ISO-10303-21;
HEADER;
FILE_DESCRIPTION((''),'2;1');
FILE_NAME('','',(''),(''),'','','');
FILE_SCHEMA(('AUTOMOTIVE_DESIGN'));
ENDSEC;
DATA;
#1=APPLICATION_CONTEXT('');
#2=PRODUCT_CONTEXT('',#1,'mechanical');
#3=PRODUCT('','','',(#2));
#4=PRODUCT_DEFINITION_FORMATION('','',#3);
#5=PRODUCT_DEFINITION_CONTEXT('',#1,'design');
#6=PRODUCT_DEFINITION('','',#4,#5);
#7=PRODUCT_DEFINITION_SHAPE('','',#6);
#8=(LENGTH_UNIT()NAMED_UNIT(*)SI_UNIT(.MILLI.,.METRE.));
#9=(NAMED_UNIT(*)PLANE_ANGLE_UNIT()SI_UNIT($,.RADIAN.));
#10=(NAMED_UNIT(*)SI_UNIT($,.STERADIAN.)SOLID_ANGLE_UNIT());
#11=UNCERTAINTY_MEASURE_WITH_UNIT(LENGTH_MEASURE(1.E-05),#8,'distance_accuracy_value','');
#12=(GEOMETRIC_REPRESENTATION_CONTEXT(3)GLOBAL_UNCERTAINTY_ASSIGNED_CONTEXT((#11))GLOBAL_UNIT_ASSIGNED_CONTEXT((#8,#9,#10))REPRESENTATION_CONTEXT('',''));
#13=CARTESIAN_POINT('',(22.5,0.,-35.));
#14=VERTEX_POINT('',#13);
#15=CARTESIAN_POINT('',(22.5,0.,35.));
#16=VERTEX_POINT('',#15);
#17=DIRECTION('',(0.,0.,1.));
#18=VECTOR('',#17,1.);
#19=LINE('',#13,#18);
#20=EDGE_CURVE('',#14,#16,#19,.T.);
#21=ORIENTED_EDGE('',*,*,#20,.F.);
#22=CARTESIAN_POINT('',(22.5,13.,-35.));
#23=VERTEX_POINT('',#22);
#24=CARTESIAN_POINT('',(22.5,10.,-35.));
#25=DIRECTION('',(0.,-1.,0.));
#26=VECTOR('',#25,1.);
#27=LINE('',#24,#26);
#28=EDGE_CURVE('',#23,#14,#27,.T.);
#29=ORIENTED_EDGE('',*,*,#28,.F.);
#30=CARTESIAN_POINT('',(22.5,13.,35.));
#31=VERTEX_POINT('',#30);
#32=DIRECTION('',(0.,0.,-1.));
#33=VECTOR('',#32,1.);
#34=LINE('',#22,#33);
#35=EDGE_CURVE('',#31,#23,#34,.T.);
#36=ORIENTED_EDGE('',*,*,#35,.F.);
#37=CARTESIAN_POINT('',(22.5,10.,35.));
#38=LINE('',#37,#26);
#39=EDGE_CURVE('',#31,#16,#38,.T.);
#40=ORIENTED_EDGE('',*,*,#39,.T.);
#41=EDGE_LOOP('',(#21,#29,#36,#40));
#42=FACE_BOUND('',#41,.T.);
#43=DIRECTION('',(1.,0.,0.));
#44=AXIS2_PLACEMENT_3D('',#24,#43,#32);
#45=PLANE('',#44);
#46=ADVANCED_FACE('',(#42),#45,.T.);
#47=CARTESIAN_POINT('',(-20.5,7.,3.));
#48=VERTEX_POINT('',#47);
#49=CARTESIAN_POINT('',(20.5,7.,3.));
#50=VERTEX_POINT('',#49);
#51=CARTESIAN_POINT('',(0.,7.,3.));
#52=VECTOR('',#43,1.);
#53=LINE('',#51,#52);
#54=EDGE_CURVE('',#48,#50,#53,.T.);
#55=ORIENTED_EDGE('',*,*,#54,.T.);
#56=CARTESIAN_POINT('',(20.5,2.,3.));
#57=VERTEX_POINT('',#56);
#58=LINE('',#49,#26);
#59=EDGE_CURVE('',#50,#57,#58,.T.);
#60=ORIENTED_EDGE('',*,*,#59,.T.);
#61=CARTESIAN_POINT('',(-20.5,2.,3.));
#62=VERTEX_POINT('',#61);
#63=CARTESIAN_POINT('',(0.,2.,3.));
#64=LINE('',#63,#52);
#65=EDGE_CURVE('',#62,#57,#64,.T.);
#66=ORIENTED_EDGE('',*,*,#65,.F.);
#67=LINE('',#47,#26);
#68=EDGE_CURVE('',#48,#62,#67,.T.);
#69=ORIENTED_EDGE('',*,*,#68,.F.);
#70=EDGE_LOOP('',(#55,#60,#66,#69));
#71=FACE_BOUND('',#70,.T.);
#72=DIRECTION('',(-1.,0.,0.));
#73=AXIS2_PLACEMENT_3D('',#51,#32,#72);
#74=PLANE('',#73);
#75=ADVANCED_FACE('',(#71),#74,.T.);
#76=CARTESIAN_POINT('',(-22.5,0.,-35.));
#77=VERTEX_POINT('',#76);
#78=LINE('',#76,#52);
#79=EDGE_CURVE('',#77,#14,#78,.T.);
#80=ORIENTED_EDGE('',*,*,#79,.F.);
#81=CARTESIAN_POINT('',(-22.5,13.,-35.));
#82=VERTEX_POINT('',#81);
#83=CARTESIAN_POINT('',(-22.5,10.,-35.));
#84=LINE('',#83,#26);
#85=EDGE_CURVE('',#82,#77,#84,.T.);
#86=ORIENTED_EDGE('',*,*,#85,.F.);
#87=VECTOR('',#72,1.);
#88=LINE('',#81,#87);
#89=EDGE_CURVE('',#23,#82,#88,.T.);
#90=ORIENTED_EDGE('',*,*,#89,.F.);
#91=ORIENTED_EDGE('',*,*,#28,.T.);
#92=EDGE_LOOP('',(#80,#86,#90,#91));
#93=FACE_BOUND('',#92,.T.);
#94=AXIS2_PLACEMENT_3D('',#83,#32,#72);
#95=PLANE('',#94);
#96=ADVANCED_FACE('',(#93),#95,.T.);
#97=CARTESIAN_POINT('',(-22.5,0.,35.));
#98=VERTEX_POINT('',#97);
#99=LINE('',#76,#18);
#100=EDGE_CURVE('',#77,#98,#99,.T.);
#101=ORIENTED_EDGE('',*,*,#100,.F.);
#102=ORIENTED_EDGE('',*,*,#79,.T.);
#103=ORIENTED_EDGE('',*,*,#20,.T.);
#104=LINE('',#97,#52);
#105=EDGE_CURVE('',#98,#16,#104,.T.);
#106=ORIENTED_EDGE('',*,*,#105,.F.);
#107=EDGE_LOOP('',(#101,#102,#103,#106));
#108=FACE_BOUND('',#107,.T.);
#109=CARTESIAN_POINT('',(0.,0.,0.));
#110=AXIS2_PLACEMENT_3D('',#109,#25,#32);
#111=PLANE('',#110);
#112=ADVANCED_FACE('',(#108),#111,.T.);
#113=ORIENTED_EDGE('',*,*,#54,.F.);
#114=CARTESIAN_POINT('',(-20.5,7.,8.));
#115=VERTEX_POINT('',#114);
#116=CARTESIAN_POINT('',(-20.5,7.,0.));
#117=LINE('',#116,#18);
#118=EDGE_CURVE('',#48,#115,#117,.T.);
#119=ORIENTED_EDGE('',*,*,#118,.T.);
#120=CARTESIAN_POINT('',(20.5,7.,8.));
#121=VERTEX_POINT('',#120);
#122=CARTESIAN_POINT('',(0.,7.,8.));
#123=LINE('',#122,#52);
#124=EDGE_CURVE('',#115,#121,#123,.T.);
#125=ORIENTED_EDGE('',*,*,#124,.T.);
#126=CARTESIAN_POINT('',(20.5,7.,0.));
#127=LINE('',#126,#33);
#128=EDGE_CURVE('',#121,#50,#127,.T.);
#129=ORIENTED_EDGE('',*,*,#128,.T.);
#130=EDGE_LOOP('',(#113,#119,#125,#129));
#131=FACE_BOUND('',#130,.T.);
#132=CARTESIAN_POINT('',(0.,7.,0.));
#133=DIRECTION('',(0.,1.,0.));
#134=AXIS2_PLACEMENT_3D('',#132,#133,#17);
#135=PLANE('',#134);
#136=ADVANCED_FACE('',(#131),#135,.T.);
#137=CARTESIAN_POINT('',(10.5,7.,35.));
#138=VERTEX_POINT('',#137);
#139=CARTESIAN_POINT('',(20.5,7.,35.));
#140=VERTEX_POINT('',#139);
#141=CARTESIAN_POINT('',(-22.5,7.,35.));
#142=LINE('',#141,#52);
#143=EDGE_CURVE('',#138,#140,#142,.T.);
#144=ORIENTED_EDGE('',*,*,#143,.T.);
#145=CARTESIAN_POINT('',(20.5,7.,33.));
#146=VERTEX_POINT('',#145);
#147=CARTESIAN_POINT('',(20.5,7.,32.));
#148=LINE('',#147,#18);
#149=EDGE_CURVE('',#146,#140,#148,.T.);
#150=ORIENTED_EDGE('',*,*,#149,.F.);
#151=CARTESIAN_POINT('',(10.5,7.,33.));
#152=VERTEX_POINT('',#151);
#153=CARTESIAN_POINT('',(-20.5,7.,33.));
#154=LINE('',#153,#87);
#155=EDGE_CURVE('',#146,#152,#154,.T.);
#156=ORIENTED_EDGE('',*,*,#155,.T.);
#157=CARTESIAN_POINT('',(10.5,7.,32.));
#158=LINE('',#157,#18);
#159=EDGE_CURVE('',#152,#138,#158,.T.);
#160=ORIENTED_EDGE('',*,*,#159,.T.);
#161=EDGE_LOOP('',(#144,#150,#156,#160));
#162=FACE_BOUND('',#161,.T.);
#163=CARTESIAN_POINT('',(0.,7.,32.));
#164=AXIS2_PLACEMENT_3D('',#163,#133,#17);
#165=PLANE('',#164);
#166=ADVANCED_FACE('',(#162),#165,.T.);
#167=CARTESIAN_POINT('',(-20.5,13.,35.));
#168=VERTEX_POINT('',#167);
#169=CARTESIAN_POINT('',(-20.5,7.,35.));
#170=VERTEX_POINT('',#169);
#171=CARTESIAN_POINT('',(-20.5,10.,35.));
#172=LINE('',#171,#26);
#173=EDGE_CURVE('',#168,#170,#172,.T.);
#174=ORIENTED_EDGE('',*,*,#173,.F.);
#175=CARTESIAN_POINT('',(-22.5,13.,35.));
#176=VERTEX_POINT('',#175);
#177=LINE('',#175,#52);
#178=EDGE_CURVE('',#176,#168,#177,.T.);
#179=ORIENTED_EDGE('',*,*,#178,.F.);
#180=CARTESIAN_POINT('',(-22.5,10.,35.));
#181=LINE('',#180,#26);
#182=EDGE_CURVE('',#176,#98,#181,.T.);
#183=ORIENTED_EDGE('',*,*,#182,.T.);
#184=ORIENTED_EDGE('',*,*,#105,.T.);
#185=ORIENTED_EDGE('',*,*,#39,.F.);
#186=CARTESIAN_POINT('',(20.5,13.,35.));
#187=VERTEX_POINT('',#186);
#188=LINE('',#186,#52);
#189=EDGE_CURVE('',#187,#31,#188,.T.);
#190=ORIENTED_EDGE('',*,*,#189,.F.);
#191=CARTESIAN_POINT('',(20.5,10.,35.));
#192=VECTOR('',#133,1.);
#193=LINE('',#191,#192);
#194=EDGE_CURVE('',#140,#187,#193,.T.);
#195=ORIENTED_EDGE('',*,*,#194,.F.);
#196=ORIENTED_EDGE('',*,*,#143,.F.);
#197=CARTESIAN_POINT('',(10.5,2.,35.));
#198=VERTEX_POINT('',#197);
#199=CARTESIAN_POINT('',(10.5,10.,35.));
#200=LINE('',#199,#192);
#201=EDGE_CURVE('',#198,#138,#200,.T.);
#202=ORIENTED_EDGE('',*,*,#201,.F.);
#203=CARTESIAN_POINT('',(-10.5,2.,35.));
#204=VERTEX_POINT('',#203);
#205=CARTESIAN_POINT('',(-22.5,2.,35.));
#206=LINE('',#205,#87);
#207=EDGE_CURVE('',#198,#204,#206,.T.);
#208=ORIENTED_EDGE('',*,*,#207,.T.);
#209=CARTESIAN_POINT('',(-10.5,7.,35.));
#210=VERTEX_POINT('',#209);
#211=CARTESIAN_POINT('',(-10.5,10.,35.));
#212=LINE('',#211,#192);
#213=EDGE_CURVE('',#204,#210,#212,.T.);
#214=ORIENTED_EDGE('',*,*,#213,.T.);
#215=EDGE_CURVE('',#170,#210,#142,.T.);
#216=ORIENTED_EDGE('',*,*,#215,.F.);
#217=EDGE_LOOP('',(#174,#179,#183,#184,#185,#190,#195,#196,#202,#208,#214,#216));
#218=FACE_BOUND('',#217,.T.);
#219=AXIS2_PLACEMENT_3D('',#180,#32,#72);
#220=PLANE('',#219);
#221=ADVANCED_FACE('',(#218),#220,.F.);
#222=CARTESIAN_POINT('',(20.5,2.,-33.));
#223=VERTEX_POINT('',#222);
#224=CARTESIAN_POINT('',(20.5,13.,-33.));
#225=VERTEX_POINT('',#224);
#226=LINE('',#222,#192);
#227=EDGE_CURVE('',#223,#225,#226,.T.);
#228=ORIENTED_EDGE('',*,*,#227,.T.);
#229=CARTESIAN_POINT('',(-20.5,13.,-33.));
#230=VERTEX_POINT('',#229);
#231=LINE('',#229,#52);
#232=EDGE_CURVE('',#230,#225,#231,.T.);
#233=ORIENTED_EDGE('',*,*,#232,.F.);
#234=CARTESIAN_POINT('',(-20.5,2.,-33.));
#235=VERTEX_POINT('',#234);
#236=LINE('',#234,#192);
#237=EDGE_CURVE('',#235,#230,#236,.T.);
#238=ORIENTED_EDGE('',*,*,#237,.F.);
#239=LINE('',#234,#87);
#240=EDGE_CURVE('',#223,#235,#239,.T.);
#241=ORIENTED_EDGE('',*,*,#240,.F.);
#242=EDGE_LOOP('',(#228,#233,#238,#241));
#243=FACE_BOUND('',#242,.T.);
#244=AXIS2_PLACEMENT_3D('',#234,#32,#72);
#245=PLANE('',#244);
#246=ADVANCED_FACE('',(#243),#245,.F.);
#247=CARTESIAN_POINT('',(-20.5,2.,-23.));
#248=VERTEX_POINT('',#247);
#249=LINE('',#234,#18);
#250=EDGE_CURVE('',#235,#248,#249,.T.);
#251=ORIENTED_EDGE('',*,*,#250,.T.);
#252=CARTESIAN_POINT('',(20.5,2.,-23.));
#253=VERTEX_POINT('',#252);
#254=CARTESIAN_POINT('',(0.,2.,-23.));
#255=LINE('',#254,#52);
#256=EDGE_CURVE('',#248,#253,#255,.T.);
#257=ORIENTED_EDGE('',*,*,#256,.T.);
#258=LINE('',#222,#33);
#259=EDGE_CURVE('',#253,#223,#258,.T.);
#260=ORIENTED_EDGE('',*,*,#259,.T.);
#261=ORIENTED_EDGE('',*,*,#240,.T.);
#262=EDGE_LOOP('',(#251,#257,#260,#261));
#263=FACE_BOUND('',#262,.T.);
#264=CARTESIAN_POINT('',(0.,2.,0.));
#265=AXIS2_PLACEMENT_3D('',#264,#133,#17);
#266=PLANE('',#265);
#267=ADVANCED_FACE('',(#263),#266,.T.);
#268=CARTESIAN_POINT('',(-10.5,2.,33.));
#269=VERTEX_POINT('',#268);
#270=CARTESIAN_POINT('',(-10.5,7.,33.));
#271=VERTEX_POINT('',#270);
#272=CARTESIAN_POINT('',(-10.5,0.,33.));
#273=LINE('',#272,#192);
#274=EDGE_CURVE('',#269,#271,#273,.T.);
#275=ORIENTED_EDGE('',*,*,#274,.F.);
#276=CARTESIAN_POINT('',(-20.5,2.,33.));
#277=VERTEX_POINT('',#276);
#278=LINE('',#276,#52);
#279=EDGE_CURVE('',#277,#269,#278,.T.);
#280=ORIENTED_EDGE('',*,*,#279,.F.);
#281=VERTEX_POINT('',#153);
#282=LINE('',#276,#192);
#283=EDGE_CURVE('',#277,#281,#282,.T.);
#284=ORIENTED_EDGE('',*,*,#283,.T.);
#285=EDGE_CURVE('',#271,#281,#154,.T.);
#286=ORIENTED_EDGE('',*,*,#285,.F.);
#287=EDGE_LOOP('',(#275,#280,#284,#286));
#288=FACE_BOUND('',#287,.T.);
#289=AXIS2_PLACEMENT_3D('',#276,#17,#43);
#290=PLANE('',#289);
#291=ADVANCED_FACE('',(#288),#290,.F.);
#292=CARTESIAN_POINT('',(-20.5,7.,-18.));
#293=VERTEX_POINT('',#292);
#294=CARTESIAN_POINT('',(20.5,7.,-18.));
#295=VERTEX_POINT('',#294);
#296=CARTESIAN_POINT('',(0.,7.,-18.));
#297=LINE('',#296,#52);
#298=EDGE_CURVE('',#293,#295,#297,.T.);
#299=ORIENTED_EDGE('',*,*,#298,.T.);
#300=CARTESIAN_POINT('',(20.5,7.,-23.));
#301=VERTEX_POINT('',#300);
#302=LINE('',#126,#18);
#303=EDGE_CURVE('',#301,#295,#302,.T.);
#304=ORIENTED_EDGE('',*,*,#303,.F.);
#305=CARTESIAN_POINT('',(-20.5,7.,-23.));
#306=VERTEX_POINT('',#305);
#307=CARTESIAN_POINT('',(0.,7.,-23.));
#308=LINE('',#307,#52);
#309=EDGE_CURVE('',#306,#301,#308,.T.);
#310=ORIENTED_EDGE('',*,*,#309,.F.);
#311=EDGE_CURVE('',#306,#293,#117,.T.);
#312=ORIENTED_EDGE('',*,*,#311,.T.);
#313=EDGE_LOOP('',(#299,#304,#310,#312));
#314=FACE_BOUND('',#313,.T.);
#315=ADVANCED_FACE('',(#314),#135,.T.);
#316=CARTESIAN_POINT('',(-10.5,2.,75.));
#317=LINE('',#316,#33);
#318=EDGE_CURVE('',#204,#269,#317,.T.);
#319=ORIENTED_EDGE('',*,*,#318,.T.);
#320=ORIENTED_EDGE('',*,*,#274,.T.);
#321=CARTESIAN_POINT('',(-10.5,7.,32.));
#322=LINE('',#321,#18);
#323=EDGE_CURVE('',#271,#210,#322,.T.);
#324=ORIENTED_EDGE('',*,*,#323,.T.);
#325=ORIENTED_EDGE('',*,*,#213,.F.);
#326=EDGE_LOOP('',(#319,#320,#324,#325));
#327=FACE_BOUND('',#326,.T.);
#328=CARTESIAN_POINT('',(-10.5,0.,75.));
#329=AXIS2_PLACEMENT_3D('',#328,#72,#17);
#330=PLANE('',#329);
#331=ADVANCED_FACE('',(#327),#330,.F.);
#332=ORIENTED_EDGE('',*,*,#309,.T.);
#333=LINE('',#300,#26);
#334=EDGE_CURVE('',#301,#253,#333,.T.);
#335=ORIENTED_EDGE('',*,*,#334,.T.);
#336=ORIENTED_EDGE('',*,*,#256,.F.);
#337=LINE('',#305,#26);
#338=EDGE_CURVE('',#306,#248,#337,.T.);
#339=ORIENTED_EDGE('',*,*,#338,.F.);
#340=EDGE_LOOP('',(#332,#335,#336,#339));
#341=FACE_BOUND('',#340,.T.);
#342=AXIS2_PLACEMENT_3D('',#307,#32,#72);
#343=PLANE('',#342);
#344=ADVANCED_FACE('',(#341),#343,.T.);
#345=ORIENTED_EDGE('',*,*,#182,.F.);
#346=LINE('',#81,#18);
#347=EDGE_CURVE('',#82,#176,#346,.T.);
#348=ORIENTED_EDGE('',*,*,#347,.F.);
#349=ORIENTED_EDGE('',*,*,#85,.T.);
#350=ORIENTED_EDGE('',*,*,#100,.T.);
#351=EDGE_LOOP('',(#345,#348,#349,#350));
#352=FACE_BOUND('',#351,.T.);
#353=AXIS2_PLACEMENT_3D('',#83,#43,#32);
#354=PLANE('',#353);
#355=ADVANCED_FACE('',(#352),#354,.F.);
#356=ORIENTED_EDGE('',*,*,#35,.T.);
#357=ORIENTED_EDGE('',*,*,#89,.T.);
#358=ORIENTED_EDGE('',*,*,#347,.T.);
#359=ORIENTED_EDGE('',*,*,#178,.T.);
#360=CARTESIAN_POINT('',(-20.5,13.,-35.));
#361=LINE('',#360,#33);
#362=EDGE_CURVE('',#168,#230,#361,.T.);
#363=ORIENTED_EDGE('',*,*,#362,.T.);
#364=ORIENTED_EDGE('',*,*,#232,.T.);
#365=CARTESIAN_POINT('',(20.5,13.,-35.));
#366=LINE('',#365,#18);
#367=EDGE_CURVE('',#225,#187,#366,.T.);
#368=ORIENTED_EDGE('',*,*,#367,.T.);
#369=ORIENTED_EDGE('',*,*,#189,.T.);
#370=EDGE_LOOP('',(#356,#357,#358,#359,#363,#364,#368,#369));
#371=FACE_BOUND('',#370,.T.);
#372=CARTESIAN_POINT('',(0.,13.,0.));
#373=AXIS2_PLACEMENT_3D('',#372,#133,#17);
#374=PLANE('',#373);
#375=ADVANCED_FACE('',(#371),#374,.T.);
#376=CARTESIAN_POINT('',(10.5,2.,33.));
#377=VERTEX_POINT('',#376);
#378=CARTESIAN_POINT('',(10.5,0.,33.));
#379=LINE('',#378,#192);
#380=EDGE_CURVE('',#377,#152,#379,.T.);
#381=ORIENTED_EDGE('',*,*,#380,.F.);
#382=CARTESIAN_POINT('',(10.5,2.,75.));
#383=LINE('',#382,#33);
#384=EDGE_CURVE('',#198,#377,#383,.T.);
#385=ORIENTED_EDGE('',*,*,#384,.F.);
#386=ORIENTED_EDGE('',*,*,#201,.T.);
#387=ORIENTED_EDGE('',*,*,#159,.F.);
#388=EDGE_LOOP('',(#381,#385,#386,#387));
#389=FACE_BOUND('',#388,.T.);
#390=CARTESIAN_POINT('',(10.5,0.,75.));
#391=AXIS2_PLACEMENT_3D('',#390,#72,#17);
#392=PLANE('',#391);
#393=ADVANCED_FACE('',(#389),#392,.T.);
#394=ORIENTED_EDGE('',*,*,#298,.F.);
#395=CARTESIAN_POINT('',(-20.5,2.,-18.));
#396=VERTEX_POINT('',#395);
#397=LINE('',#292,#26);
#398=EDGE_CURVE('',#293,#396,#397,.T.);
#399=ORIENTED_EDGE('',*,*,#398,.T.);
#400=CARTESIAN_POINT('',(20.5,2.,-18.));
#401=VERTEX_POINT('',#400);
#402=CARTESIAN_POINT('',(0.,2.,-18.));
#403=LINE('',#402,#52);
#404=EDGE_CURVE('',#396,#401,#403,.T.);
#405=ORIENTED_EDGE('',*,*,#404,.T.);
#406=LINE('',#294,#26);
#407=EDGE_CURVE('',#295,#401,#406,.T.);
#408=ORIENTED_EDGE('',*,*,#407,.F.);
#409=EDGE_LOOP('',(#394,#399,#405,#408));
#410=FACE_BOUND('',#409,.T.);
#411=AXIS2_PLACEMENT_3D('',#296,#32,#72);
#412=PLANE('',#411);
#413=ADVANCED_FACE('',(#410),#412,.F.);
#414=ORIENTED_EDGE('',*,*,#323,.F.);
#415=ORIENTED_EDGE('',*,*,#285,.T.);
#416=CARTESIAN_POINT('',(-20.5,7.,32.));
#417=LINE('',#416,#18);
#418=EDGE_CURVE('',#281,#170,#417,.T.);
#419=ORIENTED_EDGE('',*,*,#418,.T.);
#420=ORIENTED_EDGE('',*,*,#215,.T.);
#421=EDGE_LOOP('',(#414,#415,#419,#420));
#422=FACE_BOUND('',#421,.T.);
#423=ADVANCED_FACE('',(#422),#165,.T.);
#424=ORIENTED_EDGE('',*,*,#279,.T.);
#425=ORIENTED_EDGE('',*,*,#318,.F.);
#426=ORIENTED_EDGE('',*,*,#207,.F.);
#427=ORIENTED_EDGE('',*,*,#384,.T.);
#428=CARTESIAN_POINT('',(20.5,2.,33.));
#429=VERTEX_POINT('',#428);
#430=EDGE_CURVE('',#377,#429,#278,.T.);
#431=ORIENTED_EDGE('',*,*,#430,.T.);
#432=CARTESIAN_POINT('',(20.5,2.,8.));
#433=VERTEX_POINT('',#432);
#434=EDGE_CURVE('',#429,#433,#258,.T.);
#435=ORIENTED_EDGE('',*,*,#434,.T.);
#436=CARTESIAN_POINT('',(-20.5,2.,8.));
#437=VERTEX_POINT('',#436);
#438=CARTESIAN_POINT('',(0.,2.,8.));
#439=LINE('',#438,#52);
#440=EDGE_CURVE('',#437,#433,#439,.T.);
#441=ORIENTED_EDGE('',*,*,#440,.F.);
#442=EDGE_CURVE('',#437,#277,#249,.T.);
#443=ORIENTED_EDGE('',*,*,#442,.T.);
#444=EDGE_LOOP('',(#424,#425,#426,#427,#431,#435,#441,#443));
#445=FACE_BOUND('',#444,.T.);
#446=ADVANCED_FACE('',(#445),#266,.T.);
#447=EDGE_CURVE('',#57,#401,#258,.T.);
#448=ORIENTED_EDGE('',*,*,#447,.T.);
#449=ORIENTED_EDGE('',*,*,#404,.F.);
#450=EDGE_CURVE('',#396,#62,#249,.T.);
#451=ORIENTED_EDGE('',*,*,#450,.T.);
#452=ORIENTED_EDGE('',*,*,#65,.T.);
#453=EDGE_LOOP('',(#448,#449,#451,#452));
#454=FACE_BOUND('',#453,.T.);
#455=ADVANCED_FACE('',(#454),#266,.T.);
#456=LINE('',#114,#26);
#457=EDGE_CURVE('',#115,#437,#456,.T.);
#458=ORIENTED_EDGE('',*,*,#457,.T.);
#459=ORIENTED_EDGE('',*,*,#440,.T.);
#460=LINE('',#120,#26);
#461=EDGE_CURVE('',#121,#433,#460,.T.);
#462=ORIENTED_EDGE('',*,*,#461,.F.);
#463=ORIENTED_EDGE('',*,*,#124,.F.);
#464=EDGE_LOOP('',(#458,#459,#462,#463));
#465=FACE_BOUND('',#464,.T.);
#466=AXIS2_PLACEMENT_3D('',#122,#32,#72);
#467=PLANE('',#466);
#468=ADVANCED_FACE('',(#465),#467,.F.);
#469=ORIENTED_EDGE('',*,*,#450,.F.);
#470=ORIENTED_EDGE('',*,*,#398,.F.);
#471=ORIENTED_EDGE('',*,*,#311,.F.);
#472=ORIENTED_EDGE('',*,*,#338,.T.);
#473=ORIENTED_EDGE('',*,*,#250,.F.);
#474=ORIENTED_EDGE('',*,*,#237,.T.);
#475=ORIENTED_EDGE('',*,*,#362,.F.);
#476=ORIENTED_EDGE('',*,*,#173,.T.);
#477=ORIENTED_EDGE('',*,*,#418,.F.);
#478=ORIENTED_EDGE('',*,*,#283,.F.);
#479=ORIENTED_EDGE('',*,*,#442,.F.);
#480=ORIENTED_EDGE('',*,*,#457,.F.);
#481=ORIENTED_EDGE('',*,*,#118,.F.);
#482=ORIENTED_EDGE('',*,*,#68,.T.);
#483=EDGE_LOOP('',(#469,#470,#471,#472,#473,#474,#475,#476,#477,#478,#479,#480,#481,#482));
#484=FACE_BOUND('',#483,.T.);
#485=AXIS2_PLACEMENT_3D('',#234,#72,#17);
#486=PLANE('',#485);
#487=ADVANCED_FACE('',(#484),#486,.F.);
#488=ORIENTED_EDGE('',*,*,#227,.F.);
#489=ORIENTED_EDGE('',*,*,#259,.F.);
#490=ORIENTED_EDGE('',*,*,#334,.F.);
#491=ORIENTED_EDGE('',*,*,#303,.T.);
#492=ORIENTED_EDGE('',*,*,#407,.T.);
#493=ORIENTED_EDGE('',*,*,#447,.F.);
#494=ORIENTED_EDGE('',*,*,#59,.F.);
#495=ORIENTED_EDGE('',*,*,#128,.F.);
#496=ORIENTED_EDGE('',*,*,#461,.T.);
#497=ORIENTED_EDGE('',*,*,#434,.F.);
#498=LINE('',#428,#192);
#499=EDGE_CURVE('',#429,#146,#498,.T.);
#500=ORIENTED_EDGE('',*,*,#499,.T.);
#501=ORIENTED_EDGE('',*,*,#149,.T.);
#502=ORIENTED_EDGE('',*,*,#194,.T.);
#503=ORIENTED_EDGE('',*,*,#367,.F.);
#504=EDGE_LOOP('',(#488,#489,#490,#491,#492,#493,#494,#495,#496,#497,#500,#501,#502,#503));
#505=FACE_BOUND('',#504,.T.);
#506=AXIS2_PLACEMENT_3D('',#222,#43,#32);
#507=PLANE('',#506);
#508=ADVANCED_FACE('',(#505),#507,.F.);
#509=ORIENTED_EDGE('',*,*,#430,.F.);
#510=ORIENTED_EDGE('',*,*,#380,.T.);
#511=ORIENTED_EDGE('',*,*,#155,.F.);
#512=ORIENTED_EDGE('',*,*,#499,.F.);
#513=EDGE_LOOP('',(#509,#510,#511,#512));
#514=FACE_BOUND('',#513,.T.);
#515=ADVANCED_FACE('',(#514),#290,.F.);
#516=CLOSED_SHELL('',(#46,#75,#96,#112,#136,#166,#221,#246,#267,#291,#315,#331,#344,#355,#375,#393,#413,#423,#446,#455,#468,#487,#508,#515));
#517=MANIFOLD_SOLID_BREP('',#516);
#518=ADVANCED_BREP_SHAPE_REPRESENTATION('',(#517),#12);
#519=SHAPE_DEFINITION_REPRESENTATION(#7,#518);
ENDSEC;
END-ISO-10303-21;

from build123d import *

# Parameters (mm, degrees)
SKETCH1_W               = 45
SKETCH1_H               = 70
BOSS_EXTRUDE1_DEPTH     = 10
SKETCH2_W               = 41
SKETCH2_H               = 66
CUT_EXTRUDE1_DEPTH      = 8
SKETCH7_W               = 41
SKETCH7_H               = 3
CUT_EXTRUDE2_DEPTH      = 1
CUT_EXTRUDE2_DEPTH_BACK = 81
SKETCH8_W               = 21
SKETCH8_H               = 5
CUT_EXTRUDE3_DEPTH      = 42
SKETCH9_W               = 41
SKETCH9_H               = 5
BOSS_EXTRUDE3_DEPTH     = 5
SKETCH10_W              = 41
SKETCH10_H              = 5
BOSS_EXTRUDE4_DEPTH     = 5
SKETCH13_W              = 2
SKETCH13_H              = 70
BOSS_EXTRUDE5_DEPTH     = 3
SKETCH14_W              = 41
SKETCH14_H              = 2
BOSS_EXTRUDE6_DEPTH     = 3
SKETCH15_W              = 2
SKETCH15_H              = 70
BOSS_EXTRUDE7_DEPTH     = 3


with BuildPart() as part:
    # Sketch1 → Boss-Extrude1 (new body)
    with BuildSketch(Plane(origin=(0, 0, 0), x_dir=(1, 0, 0), z_dir=(0, 1, 0))):
        Rectangle(SKETCH1_W, SKETCH1_H)
    extrude(amount=BOSS_EXTRUDE1_DEPTH)

    # Sketch2 → Cut-Extrude1 (cut)
    with BuildSketch(Plane(origin=(0, 10, 0), x_dir=(1, 0, 0), z_dir=(0, 1, 0))):
        Rectangle(SKETCH2_W, SKETCH2_H)
    extrude(amount=-CUT_EXTRUDE1_DEPTH, mode=Mode.SUBTRACT)

    # Sketch7 → Cut-Extrude2 (cut, two sides)
    with BuildSketch(Plane(origin=(0, 0, 33), x_dir=(-1, 0, 0), z_dir=(0, 0, -1))) as cut_extrude2_sk:
        with Locations((0, 8.5)):
            Rectangle(SKETCH7_W, SKETCH7_H)
    extrude(amount=CUT_EXTRUDE2_DEPTH, mode=Mode.SUBTRACT)
    extrude(cut_extrude2_sk.sketch, amount=-CUT_EXTRUDE2_DEPTH_BACK, mode=Mode.SUBTRACT)

    # Sketch8 → Cut-Extrude3 (cut)
    with BuildSketch(Plane(origin=(0, 0, 33), x_dir=(-1, 0, 0), z_dir=(0, 0, -1))):
        with Locations((0, 4.5)):
            Rectangle(SKETCH8_W, SKETCH8_H)
    extrude(amount=-CUT_EXTRUDE3_DEPTH, mode=Mode.SUBTRACT)

    # Sketch9 → Boss-Extrude3 (add)
    with BuildSketch(Plane(origin=(0, 2, 0), x_dir=(1, 0, 0), z_dir=(0, 1, 0))):
        with Locations((0, -5.5)):
            Rectangle(SKETCH9_W, SKETCH9_H)
    extrude(amount=BOSS_EXTRUDE3_DEPTH)

    # Sketch10 → Boss-Extrude4 (add)
    with BuildSketch(Plane(origin=(0, 2, 0), x_dir=(1, 0, 0), z_dir=(0, 1, 0))):
        with Locations((0, 20.5)):
            Rectangle(SKETCH10_W, SKETCH10_H)
    extrude(amount=BOSS_EXTRUDE4_DEPTH)

    # Sketch13 → Boss-Extrude5 (add)
    with BuildSketch(Plane(origin=(0, 10, 0), x_dir=(1, 0, 0), z_dir=(0, 1, 0))):
        with Locations((-21.5, 0)):
            Rectangle(SKETCH13_W, SKETCH13_H)
    extrude(amount=BOSS_EXTRUDE5_DEPTH)

    # Sketch14 → Boss-Extrude6 (add)
    with BuildSketch(Plane(origin=(0, 10, 0), x_dir=(1, 0, 0), z_dir=(0, 1, 0))):
        with Locations((0, 34)):
            Rectangle(SKETCH14_W, SKETCH14_H)
    extrude(amount=BOSS_EXTRUDE6_DEPTH)

    # Sketch15 → Boss-Extrude7 (add)
    with BuildSketch(Plane(origin=(0, 10, 0), x_dir=(1, 0, 0), z_dir=(0, 1, 0))):
        with Locations((21.5, 0)):
            Rectangle(SKETCH15_W, SKETCH15_H)
    extrude(amount=BOSS_EXTRUDE7_DEPTH)


solid = part.part
